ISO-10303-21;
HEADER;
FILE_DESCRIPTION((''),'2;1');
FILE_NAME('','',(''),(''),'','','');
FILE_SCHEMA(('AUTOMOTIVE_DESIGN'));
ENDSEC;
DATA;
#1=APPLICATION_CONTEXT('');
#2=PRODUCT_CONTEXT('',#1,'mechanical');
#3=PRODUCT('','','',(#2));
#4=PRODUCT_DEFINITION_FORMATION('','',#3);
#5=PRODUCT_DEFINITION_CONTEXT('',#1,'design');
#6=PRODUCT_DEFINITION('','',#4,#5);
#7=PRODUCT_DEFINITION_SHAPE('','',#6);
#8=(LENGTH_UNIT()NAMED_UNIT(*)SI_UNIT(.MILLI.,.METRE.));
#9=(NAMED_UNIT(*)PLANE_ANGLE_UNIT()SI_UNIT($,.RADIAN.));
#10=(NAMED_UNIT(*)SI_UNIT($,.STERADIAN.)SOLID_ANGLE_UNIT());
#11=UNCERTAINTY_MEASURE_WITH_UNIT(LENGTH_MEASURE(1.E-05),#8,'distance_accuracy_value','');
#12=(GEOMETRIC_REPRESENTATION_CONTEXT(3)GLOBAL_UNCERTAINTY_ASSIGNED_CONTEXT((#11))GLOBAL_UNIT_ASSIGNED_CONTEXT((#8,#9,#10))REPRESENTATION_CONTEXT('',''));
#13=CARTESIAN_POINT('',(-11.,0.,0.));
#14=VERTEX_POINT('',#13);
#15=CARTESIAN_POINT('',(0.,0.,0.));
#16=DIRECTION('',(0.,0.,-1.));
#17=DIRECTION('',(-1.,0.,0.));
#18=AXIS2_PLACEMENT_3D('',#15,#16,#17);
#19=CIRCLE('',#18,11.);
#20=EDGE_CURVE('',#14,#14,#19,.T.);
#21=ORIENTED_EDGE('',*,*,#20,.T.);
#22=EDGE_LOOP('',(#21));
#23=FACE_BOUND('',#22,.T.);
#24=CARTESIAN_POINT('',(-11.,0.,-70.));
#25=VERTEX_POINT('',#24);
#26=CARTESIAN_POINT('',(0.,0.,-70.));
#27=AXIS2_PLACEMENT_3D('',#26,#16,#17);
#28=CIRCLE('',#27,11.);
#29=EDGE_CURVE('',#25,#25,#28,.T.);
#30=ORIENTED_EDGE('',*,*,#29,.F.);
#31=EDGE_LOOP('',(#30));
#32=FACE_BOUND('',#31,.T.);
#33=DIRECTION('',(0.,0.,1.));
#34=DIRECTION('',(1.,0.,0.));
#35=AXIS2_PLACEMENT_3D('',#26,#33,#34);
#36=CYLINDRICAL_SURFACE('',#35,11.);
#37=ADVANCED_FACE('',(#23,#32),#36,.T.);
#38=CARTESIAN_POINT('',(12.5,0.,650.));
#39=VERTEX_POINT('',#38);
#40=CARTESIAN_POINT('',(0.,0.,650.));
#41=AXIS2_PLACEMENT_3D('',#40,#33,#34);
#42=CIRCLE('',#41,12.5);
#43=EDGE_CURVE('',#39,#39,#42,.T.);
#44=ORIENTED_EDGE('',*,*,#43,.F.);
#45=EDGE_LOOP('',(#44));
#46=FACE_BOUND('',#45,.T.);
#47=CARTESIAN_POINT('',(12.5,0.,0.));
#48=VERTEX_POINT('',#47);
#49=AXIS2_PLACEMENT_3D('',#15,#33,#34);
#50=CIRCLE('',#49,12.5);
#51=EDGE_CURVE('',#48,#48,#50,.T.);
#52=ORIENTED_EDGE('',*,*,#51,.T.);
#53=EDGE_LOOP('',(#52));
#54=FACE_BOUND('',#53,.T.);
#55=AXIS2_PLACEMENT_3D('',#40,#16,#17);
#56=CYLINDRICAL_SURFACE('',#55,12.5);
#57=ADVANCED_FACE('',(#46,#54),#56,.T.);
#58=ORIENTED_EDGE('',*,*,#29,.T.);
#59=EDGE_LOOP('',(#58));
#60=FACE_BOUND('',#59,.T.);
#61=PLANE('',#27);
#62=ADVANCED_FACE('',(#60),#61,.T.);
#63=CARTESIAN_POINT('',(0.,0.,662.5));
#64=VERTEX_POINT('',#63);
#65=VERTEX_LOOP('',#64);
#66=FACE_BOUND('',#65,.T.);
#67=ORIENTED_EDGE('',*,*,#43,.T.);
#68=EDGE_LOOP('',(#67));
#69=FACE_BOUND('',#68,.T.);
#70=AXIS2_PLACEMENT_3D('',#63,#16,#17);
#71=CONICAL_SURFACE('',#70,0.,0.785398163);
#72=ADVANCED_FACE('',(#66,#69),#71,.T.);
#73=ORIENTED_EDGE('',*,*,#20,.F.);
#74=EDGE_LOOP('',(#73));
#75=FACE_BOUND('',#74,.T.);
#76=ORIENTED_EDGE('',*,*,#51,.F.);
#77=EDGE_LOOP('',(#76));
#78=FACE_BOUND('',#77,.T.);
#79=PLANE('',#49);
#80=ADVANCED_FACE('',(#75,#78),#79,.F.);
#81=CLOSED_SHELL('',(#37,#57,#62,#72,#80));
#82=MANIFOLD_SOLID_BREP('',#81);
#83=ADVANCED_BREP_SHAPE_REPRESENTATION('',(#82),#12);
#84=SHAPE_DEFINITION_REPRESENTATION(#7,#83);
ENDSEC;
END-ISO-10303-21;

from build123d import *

# Parameters (mm, degrees)
SKETCH1_R           = 12.5
BOSS_EXTRUDE1_DEPTH = 650
SKETCH3_R           = 11
BOSS_EXTRUDE2_DEPTH = 70


with BuildPart() as part:
    # Sketch1 → Boss-Extrude1 (new body)
    with BuildSketch(Plane.XY):
        Circle(SKETCH1_R)
    extrude(amount=BOSS_EXTRUDE1_DEPTH)

    # Sketch2 → Revolve1 (revolve)
    with BuildSketch(Plane(origin=(0, 0, 0), x_dir=(1, 0, 0), z_dir=(0, 1, 0)), mode=Mode.PRIVATE) as revolve1_sk:
        Polygon((0, -650), (0, -662.5), (12.5, -650), align=None)
    revolve(revolve1_sk.sketch.rotate(Axis((0, 0, 650), (0, 0, 1)), 180), axis=Axis((0, 0, 650), (0, 0, 1)))

    # Sketch3 → Boss-Extrude2 (add)
    with BuildSketch(Plane(origin=(0, 0, 0), x_dir=(-1, 0, 0), z_dir=(0, 0, -1))):
        Circle(SKETCH3_R)
    extrude(amount=BOSS_EXTRUDE2_DEPTH)


solid = part.part
